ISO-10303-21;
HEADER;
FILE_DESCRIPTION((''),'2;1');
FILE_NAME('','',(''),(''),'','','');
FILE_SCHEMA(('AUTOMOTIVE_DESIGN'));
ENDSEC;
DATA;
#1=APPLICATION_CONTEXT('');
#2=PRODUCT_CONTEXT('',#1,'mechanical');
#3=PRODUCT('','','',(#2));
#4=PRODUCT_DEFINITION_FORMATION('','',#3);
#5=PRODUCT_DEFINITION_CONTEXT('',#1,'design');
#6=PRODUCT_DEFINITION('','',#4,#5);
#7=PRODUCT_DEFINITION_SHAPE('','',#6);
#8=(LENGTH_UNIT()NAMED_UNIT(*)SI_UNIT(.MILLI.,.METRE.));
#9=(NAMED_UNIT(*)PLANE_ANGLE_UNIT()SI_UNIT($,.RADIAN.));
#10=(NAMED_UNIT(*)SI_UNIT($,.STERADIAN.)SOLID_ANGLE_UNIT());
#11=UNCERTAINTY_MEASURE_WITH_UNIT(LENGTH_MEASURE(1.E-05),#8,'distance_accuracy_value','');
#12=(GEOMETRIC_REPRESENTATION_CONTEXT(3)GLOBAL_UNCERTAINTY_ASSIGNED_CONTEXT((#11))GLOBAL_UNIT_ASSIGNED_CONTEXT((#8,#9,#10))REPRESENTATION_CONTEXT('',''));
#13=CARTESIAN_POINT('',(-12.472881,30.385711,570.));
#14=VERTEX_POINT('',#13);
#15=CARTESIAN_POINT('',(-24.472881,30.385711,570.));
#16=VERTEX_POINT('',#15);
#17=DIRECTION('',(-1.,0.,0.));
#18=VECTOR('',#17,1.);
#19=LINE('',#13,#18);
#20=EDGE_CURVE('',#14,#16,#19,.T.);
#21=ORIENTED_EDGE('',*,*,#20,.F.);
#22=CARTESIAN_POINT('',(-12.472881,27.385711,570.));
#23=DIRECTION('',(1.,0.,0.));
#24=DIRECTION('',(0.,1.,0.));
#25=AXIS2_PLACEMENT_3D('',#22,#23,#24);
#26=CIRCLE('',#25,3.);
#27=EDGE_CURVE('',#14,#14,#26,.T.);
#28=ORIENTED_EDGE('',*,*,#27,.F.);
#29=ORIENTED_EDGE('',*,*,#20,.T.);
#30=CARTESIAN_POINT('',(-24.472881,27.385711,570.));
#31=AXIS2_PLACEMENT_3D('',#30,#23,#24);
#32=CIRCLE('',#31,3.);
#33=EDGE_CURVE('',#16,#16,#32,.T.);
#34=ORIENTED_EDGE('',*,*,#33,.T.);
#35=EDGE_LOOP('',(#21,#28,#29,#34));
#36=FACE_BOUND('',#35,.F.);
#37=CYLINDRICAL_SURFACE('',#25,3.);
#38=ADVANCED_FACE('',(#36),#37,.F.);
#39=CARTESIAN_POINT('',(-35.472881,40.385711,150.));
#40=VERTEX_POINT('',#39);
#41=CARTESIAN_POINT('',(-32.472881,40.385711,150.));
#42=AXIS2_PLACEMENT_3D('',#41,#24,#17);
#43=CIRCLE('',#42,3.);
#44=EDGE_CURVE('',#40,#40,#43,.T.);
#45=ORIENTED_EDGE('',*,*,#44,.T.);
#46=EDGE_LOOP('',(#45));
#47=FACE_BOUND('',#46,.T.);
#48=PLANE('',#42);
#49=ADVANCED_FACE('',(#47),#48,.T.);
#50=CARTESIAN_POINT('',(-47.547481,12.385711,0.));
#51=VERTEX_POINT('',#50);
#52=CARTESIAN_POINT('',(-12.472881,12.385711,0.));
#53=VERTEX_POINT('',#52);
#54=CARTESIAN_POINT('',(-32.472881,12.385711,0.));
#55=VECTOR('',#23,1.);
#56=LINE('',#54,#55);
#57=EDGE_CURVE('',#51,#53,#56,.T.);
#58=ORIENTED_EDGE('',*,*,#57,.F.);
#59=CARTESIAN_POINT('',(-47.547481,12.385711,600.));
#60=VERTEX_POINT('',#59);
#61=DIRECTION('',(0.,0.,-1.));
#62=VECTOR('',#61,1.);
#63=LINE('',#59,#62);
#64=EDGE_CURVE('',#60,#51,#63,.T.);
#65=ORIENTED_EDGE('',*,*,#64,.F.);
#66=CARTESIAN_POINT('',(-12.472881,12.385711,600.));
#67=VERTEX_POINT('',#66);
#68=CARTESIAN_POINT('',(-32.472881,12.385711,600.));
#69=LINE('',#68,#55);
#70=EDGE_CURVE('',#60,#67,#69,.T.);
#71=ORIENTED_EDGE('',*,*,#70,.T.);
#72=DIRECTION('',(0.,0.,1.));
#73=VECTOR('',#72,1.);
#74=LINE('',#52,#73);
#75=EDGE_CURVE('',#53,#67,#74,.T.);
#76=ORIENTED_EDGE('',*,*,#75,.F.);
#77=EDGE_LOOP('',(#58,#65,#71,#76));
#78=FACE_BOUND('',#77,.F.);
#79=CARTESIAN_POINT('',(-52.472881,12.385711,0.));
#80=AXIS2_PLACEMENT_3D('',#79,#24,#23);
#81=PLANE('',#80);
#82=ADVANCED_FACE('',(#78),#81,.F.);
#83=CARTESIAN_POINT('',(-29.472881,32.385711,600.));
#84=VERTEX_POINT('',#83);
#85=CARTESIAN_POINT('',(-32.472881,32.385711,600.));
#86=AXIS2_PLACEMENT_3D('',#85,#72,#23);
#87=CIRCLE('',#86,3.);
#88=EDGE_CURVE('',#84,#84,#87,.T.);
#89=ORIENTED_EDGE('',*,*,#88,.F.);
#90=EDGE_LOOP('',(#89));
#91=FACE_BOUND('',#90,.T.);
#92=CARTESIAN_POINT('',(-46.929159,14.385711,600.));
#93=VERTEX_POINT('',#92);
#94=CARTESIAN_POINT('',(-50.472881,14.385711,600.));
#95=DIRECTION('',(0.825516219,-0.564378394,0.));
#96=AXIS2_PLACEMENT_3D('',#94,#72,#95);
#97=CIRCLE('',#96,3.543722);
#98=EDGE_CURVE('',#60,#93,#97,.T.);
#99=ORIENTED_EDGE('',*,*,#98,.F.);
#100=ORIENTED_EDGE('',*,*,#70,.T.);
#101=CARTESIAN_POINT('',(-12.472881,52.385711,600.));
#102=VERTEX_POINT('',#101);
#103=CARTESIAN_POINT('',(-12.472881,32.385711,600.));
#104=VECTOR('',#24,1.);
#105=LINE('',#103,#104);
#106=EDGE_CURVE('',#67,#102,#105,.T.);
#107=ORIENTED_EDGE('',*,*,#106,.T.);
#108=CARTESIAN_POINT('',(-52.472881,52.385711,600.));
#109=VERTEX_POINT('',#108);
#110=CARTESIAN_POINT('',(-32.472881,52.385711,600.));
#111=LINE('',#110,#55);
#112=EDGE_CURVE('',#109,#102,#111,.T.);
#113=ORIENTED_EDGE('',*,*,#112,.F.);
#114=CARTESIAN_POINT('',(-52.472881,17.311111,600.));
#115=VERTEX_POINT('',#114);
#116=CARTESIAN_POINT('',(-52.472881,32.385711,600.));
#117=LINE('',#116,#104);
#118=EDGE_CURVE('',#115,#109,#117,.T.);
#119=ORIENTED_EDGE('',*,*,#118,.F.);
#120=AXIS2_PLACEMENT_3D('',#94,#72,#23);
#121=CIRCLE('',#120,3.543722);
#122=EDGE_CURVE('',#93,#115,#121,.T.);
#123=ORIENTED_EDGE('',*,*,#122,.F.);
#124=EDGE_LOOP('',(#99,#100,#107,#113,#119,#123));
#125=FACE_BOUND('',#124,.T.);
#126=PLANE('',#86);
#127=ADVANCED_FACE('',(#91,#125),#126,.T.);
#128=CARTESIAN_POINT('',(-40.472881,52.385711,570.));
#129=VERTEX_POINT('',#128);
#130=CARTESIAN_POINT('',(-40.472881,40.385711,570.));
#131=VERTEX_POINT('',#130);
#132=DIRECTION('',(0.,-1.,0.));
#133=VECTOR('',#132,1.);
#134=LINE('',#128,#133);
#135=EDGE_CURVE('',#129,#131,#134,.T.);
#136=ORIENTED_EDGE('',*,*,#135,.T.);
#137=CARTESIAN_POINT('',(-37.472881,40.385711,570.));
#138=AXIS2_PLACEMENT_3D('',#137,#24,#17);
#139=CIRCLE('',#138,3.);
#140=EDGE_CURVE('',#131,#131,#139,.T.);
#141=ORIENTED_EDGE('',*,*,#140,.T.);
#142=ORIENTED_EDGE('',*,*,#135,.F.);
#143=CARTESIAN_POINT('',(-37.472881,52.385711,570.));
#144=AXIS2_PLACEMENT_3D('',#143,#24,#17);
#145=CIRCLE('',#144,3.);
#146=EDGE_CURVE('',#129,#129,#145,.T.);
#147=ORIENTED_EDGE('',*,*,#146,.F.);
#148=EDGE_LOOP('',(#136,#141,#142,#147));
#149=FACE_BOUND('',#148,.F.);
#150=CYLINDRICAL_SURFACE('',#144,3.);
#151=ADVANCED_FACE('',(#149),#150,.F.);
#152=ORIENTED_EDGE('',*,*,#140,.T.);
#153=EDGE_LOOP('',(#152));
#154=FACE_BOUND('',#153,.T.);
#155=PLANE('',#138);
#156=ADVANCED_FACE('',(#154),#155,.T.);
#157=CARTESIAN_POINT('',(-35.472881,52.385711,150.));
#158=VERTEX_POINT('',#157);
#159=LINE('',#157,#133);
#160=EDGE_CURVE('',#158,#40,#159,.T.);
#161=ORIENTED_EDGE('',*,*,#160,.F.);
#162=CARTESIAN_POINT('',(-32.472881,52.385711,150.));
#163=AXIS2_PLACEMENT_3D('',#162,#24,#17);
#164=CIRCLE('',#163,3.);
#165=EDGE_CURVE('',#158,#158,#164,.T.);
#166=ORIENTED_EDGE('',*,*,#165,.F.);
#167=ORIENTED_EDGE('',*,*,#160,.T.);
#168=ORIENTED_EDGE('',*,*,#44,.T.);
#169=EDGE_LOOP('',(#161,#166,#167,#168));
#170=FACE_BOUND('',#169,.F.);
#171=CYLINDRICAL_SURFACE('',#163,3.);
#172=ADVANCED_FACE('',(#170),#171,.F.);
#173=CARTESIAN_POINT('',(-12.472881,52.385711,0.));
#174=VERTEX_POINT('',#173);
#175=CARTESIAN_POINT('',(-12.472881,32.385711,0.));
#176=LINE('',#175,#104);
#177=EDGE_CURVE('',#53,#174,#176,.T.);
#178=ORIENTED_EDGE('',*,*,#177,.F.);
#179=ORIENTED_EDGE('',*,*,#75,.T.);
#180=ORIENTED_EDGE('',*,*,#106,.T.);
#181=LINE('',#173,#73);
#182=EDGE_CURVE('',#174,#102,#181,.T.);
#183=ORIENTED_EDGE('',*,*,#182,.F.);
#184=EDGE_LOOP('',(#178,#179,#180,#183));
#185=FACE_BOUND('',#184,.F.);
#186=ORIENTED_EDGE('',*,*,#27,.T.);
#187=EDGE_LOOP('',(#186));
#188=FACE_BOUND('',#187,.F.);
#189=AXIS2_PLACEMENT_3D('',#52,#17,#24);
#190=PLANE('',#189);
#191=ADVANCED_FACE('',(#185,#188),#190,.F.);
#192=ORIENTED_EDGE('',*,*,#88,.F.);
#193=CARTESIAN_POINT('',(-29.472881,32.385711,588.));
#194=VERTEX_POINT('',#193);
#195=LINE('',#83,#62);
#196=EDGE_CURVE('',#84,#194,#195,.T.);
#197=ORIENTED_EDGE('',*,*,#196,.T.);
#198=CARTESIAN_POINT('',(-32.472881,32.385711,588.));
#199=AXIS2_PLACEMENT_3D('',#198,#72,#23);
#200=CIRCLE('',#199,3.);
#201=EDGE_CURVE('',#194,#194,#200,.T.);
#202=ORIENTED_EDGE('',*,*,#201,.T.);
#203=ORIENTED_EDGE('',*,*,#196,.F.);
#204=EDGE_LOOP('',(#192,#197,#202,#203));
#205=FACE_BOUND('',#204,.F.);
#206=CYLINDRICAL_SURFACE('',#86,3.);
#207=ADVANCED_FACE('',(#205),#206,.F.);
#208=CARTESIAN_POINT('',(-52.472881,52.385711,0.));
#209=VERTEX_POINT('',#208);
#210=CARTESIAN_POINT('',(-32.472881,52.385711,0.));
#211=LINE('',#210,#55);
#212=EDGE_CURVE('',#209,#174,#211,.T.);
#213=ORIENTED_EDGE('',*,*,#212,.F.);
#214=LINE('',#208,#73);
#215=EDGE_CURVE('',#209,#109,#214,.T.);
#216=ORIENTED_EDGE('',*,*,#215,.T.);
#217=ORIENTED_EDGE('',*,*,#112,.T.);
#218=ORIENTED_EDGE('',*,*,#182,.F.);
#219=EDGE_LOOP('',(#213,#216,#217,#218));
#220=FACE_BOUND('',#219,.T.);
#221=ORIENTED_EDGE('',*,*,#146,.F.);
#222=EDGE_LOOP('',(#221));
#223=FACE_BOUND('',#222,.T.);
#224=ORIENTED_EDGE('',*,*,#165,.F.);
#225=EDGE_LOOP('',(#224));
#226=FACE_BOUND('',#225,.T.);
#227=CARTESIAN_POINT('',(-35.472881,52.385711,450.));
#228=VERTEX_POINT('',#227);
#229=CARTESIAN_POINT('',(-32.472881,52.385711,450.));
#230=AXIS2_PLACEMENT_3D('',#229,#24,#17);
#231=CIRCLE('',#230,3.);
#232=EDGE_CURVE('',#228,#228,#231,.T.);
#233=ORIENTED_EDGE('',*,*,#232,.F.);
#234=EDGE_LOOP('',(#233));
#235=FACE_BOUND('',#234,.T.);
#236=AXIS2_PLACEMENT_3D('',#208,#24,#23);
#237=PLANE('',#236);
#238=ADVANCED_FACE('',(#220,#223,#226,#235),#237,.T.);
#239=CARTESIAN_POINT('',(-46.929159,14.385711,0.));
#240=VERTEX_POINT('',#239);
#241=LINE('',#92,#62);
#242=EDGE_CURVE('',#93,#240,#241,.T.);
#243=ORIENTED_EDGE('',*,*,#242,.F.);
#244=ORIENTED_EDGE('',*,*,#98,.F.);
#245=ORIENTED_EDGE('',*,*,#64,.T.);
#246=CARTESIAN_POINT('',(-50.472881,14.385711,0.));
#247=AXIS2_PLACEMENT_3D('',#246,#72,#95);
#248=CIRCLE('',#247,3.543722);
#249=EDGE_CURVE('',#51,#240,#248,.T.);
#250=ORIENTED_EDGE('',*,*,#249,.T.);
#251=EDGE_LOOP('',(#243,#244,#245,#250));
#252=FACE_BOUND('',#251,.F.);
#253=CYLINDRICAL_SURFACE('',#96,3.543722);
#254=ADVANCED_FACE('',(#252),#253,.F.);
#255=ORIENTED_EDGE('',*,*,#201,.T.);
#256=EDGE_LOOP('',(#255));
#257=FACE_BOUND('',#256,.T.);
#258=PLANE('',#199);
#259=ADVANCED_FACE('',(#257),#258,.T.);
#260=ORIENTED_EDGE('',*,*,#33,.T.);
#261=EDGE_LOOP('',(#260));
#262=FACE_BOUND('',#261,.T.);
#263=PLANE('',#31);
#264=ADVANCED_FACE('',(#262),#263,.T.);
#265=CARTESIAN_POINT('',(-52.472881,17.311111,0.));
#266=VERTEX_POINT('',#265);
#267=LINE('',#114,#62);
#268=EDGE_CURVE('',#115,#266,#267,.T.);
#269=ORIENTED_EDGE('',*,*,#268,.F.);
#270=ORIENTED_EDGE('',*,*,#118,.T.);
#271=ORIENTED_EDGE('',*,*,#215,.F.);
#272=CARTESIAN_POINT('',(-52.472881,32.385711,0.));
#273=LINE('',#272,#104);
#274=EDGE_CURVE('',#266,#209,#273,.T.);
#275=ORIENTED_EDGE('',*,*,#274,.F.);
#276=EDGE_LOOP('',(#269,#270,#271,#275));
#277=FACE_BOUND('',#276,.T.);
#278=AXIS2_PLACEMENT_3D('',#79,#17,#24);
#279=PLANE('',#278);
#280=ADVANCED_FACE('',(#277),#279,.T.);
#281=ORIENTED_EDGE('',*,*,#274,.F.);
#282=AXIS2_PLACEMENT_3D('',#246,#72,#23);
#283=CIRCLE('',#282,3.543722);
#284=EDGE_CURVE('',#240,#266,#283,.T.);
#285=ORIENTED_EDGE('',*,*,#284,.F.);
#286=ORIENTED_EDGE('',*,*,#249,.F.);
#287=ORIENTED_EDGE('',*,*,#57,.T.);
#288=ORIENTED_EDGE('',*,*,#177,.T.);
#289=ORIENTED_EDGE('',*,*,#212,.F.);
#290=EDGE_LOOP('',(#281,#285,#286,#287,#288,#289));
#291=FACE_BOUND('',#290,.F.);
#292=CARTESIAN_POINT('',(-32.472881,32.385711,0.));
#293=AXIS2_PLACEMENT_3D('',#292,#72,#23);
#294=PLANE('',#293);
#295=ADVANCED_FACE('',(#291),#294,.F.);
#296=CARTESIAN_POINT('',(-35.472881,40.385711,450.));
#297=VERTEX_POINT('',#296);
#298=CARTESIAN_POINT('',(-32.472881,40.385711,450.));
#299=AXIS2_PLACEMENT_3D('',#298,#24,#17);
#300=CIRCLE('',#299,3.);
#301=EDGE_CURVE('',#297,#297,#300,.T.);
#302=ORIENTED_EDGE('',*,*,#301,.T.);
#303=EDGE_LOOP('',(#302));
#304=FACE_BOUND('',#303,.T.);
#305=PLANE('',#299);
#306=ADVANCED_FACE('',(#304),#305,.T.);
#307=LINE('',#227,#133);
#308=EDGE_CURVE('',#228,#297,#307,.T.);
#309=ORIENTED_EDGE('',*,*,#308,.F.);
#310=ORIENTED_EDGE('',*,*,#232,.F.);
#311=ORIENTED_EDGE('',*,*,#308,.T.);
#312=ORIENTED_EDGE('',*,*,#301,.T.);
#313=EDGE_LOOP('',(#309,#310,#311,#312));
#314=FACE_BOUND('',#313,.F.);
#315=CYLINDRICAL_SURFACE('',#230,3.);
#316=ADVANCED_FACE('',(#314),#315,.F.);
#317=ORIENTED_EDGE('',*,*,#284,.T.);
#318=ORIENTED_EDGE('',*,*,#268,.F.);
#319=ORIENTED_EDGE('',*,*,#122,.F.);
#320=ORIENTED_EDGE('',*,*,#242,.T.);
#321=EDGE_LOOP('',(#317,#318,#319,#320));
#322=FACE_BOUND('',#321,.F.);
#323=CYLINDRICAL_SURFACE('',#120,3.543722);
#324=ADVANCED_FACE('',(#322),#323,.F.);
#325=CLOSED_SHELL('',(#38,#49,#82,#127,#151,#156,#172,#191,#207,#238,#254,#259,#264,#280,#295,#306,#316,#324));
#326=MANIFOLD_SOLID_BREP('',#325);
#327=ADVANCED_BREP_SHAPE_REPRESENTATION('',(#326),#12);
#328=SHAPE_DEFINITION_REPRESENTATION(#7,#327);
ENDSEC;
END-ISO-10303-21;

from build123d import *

# Parameters (mm, degrees)
F0_W      = 40
F0_H      = 40
F1_DEPTH  = 600
F2_R      = 3
F3_DEPTH  = 12
F4_R      = 3
F5_DEPTH  = 12
F7_DEPTH  = 600
F8_R      = 3
F9_DEPTH  = 12
F10_DEPTH = 12
F11_R     = 3
F12_DEPTH = 12


with BuildPart() as f1:
    # F0 (on Top) → F1 (new body)
    with BuildSketch(Plane.XY):
        with Locations((-32.4728810042, 32.3857110739)):
            Rectangle(F0_W, F0_H)
    extrude(amount=F1_DEPTH)

    # F2 (on face) → F3 (cut)
    with BuildSketch(Plane.YZ.offset(-12.4728810042)):
        with Locations((27.3857110739, 570)):
            Circle(F2_R)
    extrude(amount=-F3_DEPTH, mode=Mode.SUBTRACT)

    # F4 (on face) → F5 (cut)
    with BuildSketch(Plane(origin=(0, 52.3857110739, 0), x_dir=(-1, 0, 0), z_dir=(0, 1, 0))):
        with Locations((37.4728810042, 570)):
            Circle(F4_R)
    extrude(amount=-F5_DEPTH, mode=Mode.SUBTRACT)

    # F6 (on face) → F7 (cut)
    with BuildSketch(Plane.XY.offset(600)):
        with BuildLine():
            ThreePointArc((-47.5474812124, 12.3857110739), (-47.0872668168, 13.3390112528), (-46.9291592401, 14.3857110739))
            ThreePointArc((-46.9291592401, 14.3857110739), (-48.8190187951, 17.5198303656), (-52.4728810042, 17.3111108656))
            Line((-52.4728810042, 17.3111108656), (-52.4728810042, 12.3857110739))
            Line((-52.4728810042, 12.3857110739), (-47.5474812124, 12.3857110739))
        make_face()
    extrude(amount=-F7_DEPTH, mode=Mode.SUBTRACT)

    # F8 (on face) → F9 (cut)
    with BuildSketch(Plane.XY.offset(600)):
        with Locations((-32.4728810042, 32.3857110739)):
            Circle(F8_R)
    extrude(amount=-F9_DEPTH, mode=Mode.SUBTRACT)

    # F4 (on face) → F10 (cut)
    with BuildSketch(Plane(origin=(0, 52.3857110739, 0), x_dir=(-1, 0, 0), z_dir=(0, 1, 0))):
        with Locations((32.4728810042, 450)):
            Circle(F4_R)
    extrude(amount=-F10_DEPTH, mode=Mode.SUBTRACT)

    # F11 (on face) → F12 (cut)
    with BuildSketch(Plane(origin=(0, 52.3857110739, 0), x_dir=(-1, 0, 0), z_dir=(0, 1, 0))):
        with Locations((32.4728810042, 150)):
            Circle(F11_R)
    extrude(amount=-F12_DEPTH, mode=Mode.SUBTRACT)


solid = f1.part
